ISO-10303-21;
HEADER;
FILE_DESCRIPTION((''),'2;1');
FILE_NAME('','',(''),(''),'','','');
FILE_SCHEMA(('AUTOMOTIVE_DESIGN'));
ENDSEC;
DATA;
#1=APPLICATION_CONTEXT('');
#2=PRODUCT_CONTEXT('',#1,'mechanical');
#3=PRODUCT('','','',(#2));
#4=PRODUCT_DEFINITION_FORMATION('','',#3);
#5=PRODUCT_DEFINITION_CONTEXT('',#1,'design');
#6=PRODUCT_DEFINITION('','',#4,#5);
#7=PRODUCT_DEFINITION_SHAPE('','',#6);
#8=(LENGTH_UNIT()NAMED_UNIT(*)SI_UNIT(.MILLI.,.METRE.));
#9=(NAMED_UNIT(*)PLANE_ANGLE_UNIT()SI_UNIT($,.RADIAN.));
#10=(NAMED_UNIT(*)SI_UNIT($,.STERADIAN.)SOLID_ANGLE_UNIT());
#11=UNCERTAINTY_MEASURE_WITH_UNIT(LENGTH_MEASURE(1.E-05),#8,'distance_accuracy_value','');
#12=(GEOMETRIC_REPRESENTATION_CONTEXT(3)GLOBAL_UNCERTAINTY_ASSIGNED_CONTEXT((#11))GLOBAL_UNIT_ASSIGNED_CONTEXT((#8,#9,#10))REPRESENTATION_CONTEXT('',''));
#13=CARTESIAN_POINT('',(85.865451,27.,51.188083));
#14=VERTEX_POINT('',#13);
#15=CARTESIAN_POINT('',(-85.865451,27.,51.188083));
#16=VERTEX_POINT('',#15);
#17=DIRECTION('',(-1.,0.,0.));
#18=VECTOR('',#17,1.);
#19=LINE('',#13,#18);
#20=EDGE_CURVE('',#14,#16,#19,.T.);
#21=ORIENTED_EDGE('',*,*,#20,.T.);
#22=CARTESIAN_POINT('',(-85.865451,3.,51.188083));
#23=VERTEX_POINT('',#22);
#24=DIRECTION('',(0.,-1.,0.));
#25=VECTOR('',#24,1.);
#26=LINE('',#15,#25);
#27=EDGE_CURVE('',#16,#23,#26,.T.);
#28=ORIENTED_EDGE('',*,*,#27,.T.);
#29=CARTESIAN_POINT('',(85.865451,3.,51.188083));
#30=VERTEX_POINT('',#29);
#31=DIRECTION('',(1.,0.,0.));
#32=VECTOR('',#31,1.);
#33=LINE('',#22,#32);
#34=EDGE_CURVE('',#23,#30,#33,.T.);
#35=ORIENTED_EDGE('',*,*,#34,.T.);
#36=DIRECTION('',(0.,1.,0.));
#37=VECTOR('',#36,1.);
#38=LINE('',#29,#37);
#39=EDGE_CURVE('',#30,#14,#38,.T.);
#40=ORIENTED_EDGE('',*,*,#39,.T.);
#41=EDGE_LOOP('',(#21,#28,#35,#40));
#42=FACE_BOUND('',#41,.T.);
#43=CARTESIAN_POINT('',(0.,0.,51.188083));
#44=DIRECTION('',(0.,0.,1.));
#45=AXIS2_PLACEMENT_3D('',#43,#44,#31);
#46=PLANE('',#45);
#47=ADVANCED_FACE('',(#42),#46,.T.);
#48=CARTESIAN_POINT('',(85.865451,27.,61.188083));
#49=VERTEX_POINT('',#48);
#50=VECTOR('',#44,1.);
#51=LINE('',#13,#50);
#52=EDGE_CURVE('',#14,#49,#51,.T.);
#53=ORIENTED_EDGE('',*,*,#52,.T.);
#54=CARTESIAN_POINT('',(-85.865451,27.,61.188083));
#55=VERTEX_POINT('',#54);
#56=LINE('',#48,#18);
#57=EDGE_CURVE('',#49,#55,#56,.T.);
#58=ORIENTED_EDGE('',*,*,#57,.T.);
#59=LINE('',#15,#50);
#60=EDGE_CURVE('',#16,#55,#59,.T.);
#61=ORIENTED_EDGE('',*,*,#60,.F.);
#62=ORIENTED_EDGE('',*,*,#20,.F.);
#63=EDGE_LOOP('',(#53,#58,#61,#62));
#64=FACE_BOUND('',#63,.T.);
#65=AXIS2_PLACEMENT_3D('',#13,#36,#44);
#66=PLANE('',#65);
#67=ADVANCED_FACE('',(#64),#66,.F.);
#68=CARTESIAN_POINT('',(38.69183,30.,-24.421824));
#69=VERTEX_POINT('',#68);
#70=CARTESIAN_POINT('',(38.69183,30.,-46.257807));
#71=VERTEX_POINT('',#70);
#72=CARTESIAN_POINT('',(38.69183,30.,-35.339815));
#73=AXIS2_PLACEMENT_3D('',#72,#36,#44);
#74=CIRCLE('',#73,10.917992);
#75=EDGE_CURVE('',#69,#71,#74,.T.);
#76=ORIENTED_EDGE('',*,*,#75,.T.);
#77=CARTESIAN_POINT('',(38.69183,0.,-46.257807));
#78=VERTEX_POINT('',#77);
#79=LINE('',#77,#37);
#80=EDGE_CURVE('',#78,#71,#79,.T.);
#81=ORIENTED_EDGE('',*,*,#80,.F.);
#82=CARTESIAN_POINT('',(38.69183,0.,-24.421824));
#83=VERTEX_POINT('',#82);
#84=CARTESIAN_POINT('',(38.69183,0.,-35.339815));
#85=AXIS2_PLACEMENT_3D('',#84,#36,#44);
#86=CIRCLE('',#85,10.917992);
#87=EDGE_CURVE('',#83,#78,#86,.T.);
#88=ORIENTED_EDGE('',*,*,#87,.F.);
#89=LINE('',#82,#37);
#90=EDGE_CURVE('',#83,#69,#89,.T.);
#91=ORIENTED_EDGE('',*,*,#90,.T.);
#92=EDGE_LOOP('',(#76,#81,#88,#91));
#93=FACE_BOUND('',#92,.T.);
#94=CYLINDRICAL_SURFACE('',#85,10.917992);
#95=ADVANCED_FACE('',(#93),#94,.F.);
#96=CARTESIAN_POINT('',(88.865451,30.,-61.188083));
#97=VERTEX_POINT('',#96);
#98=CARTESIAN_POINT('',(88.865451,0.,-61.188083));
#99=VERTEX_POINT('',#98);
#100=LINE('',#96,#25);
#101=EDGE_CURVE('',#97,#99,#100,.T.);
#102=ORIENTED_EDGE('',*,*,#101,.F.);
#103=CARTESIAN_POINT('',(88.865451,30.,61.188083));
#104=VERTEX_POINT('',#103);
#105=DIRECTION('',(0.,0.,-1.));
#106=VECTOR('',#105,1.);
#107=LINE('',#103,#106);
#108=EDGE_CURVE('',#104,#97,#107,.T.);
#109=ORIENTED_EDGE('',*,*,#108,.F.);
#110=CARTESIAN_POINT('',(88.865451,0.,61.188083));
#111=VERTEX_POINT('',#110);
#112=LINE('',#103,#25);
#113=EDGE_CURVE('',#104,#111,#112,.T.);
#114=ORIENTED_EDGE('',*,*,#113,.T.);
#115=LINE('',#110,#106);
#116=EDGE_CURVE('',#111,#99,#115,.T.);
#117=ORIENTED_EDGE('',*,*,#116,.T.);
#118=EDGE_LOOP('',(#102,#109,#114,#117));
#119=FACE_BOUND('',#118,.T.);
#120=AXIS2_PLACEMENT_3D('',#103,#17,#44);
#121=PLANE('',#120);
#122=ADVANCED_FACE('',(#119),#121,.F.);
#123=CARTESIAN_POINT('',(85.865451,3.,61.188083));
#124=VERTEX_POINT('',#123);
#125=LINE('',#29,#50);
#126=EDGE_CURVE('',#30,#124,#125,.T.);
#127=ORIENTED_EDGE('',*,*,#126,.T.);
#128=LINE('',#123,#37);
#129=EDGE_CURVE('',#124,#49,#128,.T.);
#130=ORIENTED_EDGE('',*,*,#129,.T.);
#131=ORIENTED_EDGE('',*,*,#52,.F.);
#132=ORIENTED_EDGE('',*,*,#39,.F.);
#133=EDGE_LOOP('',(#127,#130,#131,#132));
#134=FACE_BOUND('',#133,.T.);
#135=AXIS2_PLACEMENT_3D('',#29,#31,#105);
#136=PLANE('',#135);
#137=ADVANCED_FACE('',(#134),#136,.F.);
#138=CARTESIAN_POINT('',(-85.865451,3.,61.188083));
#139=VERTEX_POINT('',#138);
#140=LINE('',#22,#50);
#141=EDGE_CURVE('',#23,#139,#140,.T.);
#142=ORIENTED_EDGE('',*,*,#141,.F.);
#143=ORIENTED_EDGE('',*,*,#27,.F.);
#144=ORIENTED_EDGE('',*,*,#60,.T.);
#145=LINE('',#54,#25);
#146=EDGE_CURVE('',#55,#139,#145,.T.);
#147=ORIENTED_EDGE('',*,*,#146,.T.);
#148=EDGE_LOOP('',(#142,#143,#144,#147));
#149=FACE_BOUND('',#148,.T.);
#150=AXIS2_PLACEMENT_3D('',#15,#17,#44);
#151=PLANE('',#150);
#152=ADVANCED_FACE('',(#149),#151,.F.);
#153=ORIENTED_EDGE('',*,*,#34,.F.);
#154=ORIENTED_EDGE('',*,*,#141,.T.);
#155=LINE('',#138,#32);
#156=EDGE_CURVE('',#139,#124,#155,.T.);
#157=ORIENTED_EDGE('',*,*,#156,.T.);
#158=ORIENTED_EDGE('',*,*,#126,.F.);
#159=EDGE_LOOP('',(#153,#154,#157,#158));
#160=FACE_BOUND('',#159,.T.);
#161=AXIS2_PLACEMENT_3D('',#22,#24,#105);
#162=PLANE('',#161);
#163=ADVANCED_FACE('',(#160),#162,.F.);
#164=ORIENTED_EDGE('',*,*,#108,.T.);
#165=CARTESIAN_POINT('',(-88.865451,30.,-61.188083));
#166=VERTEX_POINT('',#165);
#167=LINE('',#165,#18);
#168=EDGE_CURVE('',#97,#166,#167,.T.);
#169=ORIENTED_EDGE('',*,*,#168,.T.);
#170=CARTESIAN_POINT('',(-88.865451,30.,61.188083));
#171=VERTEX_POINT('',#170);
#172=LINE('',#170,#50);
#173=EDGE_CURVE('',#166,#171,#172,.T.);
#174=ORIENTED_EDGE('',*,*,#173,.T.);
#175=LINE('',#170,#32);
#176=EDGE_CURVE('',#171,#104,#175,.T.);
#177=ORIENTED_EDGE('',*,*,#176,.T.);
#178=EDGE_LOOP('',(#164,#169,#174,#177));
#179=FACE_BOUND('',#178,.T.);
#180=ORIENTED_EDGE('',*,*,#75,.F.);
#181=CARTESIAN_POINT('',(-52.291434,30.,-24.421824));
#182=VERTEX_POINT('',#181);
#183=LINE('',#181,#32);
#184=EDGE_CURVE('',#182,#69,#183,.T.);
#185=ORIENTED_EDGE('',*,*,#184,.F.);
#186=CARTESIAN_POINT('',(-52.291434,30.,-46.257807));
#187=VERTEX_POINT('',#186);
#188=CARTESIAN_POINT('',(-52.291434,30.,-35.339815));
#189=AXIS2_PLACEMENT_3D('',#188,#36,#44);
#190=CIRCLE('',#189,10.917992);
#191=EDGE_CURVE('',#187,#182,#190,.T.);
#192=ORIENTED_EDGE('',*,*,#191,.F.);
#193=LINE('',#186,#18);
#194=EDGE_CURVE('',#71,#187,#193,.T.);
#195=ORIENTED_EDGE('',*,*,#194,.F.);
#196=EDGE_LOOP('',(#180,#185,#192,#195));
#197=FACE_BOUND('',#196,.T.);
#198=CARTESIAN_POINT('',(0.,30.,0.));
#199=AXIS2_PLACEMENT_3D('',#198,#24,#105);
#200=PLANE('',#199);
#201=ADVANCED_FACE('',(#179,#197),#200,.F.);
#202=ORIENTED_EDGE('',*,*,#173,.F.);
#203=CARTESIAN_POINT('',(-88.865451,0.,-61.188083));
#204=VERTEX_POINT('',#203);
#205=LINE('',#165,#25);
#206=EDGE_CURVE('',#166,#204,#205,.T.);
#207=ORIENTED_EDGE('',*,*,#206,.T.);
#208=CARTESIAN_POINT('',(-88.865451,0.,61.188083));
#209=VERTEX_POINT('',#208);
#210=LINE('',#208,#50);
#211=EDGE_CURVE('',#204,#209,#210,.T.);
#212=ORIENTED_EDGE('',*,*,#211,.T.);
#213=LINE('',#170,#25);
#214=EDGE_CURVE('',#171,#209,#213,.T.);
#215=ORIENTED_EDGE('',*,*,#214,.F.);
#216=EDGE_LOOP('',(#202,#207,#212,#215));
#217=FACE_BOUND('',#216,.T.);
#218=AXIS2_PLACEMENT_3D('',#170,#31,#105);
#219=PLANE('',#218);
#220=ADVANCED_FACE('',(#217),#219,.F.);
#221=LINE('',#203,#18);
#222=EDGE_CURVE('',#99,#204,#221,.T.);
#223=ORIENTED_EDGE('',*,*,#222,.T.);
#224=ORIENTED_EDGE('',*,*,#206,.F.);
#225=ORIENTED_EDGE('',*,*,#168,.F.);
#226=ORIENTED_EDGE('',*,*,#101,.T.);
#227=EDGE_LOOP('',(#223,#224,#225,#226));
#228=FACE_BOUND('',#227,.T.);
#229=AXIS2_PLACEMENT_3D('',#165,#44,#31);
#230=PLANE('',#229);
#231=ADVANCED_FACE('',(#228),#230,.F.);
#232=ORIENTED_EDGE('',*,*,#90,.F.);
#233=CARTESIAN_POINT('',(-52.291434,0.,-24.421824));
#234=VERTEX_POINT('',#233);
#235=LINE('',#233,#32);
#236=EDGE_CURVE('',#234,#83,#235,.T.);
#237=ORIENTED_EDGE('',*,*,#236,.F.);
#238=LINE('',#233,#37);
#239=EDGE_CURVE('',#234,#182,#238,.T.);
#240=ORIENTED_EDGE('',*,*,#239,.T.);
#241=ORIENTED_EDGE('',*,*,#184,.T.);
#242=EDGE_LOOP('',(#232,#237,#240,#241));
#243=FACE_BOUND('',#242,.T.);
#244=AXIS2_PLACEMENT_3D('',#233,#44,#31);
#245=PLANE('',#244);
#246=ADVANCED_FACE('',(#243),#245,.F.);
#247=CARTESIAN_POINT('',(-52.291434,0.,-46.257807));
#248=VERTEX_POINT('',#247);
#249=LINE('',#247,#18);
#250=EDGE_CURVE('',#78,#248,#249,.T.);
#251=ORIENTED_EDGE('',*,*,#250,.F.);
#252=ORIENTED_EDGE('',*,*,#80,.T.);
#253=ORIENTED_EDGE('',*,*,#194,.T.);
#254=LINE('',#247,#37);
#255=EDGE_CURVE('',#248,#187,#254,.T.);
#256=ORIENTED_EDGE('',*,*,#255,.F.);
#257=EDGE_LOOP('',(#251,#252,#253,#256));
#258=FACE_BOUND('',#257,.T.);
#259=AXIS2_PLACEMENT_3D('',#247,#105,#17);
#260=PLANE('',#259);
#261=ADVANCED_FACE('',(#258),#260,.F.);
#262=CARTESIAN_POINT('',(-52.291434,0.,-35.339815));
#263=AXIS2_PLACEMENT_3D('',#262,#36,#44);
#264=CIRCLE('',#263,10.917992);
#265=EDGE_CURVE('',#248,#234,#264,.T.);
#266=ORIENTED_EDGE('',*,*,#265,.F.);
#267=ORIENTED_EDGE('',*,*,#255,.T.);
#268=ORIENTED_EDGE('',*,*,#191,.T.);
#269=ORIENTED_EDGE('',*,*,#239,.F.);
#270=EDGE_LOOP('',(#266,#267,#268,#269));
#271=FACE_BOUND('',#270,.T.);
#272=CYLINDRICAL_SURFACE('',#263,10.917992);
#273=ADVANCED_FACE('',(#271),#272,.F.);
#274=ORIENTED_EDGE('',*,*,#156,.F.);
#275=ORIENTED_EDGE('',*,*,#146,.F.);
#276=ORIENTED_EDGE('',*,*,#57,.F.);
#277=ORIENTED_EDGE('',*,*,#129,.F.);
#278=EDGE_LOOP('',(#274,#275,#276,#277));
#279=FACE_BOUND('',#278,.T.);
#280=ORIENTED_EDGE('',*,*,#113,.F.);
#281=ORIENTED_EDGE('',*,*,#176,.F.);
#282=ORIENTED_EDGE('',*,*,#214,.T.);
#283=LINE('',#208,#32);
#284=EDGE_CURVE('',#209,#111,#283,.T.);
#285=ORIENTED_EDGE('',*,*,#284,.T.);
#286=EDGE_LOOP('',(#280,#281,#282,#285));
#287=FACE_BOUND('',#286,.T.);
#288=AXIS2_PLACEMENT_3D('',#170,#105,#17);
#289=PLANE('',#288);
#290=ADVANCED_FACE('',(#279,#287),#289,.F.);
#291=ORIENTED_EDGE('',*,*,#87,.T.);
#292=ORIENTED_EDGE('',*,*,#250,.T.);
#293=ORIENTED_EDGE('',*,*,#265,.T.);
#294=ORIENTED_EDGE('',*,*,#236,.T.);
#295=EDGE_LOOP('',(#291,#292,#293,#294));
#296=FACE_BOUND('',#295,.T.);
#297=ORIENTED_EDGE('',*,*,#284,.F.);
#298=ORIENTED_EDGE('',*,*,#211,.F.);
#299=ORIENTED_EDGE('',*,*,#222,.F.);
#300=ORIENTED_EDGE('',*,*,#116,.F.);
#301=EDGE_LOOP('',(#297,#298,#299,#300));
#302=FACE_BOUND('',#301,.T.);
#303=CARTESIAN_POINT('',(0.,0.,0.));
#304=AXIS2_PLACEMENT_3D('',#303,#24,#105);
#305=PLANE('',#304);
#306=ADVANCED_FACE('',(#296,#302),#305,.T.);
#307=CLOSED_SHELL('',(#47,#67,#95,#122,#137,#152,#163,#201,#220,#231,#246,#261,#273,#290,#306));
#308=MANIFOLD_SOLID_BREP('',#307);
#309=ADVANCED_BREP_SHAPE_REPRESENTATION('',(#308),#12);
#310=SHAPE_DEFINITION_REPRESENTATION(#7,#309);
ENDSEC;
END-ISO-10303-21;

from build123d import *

# Parameters (mm, degrees)
SKETCH1_W           = 177.730901972
SKETCH1_H           = 122.376165744
BOSS_EXTRUDE1_DEPTH = 30
SKETCH2_W           = 171.730901972
SKETCH2_H           = 24
CUT_EXTRUDE1_DEPTH  = 10
CUT_EXTRUDE2_DEPTH  = 112.986828978


with BuildPart() as part:
    # Sketch1 → Boss-Extrude1 (new body)
    with BuildSketch(Plane(origin=(0, 0, 0), x_dir=(1, 0, 0), z_dir=(0, 1, 0))):
        Rectangle(SKETCH1_W, SKETCH1_H)
    extrude(amount=BOSS_EXTRUDE1_DEPTH)

    # Sketch2 → Cut-Extrude1 (cut)
    with BuildSketch(Plane.XY.offset(61.188082872)):
        with Locations((0, 15)):
            Rectangle(SKETCH2_W, SKETCH2_H)
    extrude(amount=-CUT_EXTRUDE1_DEPTH, mode=Mode.SUBTRACT)

    # Sketch3 → Cut-Extrude2 (cut, through all)
    with BuildSketch(Plane(origin=(0, 30, 0), x_dir=(1, 0, 0), z_dir=(0, 1, 0))):
        with BuildLine():
            Line((-52.291434111, 46.257807098), (38.691830368, 46.257807098))
            ThreePointArc((38.691830368, 46.257807098), (49.609822105, 35.339815361), (38.691830368, 24.421823623))
            Line((38.691830368, 24.421823623), (-52.291434111, 24.421823623))
            ThreePointArc((-52.291434111, 24.421823623), (-63.209425848, 35.339815361), (-52.291434111, 46.257807098))
        make_face()
    extrude(amount=-CUT_EXTRUDE2_DEPTH, mode=Mode.SUBTRACT)


solid = part.part
